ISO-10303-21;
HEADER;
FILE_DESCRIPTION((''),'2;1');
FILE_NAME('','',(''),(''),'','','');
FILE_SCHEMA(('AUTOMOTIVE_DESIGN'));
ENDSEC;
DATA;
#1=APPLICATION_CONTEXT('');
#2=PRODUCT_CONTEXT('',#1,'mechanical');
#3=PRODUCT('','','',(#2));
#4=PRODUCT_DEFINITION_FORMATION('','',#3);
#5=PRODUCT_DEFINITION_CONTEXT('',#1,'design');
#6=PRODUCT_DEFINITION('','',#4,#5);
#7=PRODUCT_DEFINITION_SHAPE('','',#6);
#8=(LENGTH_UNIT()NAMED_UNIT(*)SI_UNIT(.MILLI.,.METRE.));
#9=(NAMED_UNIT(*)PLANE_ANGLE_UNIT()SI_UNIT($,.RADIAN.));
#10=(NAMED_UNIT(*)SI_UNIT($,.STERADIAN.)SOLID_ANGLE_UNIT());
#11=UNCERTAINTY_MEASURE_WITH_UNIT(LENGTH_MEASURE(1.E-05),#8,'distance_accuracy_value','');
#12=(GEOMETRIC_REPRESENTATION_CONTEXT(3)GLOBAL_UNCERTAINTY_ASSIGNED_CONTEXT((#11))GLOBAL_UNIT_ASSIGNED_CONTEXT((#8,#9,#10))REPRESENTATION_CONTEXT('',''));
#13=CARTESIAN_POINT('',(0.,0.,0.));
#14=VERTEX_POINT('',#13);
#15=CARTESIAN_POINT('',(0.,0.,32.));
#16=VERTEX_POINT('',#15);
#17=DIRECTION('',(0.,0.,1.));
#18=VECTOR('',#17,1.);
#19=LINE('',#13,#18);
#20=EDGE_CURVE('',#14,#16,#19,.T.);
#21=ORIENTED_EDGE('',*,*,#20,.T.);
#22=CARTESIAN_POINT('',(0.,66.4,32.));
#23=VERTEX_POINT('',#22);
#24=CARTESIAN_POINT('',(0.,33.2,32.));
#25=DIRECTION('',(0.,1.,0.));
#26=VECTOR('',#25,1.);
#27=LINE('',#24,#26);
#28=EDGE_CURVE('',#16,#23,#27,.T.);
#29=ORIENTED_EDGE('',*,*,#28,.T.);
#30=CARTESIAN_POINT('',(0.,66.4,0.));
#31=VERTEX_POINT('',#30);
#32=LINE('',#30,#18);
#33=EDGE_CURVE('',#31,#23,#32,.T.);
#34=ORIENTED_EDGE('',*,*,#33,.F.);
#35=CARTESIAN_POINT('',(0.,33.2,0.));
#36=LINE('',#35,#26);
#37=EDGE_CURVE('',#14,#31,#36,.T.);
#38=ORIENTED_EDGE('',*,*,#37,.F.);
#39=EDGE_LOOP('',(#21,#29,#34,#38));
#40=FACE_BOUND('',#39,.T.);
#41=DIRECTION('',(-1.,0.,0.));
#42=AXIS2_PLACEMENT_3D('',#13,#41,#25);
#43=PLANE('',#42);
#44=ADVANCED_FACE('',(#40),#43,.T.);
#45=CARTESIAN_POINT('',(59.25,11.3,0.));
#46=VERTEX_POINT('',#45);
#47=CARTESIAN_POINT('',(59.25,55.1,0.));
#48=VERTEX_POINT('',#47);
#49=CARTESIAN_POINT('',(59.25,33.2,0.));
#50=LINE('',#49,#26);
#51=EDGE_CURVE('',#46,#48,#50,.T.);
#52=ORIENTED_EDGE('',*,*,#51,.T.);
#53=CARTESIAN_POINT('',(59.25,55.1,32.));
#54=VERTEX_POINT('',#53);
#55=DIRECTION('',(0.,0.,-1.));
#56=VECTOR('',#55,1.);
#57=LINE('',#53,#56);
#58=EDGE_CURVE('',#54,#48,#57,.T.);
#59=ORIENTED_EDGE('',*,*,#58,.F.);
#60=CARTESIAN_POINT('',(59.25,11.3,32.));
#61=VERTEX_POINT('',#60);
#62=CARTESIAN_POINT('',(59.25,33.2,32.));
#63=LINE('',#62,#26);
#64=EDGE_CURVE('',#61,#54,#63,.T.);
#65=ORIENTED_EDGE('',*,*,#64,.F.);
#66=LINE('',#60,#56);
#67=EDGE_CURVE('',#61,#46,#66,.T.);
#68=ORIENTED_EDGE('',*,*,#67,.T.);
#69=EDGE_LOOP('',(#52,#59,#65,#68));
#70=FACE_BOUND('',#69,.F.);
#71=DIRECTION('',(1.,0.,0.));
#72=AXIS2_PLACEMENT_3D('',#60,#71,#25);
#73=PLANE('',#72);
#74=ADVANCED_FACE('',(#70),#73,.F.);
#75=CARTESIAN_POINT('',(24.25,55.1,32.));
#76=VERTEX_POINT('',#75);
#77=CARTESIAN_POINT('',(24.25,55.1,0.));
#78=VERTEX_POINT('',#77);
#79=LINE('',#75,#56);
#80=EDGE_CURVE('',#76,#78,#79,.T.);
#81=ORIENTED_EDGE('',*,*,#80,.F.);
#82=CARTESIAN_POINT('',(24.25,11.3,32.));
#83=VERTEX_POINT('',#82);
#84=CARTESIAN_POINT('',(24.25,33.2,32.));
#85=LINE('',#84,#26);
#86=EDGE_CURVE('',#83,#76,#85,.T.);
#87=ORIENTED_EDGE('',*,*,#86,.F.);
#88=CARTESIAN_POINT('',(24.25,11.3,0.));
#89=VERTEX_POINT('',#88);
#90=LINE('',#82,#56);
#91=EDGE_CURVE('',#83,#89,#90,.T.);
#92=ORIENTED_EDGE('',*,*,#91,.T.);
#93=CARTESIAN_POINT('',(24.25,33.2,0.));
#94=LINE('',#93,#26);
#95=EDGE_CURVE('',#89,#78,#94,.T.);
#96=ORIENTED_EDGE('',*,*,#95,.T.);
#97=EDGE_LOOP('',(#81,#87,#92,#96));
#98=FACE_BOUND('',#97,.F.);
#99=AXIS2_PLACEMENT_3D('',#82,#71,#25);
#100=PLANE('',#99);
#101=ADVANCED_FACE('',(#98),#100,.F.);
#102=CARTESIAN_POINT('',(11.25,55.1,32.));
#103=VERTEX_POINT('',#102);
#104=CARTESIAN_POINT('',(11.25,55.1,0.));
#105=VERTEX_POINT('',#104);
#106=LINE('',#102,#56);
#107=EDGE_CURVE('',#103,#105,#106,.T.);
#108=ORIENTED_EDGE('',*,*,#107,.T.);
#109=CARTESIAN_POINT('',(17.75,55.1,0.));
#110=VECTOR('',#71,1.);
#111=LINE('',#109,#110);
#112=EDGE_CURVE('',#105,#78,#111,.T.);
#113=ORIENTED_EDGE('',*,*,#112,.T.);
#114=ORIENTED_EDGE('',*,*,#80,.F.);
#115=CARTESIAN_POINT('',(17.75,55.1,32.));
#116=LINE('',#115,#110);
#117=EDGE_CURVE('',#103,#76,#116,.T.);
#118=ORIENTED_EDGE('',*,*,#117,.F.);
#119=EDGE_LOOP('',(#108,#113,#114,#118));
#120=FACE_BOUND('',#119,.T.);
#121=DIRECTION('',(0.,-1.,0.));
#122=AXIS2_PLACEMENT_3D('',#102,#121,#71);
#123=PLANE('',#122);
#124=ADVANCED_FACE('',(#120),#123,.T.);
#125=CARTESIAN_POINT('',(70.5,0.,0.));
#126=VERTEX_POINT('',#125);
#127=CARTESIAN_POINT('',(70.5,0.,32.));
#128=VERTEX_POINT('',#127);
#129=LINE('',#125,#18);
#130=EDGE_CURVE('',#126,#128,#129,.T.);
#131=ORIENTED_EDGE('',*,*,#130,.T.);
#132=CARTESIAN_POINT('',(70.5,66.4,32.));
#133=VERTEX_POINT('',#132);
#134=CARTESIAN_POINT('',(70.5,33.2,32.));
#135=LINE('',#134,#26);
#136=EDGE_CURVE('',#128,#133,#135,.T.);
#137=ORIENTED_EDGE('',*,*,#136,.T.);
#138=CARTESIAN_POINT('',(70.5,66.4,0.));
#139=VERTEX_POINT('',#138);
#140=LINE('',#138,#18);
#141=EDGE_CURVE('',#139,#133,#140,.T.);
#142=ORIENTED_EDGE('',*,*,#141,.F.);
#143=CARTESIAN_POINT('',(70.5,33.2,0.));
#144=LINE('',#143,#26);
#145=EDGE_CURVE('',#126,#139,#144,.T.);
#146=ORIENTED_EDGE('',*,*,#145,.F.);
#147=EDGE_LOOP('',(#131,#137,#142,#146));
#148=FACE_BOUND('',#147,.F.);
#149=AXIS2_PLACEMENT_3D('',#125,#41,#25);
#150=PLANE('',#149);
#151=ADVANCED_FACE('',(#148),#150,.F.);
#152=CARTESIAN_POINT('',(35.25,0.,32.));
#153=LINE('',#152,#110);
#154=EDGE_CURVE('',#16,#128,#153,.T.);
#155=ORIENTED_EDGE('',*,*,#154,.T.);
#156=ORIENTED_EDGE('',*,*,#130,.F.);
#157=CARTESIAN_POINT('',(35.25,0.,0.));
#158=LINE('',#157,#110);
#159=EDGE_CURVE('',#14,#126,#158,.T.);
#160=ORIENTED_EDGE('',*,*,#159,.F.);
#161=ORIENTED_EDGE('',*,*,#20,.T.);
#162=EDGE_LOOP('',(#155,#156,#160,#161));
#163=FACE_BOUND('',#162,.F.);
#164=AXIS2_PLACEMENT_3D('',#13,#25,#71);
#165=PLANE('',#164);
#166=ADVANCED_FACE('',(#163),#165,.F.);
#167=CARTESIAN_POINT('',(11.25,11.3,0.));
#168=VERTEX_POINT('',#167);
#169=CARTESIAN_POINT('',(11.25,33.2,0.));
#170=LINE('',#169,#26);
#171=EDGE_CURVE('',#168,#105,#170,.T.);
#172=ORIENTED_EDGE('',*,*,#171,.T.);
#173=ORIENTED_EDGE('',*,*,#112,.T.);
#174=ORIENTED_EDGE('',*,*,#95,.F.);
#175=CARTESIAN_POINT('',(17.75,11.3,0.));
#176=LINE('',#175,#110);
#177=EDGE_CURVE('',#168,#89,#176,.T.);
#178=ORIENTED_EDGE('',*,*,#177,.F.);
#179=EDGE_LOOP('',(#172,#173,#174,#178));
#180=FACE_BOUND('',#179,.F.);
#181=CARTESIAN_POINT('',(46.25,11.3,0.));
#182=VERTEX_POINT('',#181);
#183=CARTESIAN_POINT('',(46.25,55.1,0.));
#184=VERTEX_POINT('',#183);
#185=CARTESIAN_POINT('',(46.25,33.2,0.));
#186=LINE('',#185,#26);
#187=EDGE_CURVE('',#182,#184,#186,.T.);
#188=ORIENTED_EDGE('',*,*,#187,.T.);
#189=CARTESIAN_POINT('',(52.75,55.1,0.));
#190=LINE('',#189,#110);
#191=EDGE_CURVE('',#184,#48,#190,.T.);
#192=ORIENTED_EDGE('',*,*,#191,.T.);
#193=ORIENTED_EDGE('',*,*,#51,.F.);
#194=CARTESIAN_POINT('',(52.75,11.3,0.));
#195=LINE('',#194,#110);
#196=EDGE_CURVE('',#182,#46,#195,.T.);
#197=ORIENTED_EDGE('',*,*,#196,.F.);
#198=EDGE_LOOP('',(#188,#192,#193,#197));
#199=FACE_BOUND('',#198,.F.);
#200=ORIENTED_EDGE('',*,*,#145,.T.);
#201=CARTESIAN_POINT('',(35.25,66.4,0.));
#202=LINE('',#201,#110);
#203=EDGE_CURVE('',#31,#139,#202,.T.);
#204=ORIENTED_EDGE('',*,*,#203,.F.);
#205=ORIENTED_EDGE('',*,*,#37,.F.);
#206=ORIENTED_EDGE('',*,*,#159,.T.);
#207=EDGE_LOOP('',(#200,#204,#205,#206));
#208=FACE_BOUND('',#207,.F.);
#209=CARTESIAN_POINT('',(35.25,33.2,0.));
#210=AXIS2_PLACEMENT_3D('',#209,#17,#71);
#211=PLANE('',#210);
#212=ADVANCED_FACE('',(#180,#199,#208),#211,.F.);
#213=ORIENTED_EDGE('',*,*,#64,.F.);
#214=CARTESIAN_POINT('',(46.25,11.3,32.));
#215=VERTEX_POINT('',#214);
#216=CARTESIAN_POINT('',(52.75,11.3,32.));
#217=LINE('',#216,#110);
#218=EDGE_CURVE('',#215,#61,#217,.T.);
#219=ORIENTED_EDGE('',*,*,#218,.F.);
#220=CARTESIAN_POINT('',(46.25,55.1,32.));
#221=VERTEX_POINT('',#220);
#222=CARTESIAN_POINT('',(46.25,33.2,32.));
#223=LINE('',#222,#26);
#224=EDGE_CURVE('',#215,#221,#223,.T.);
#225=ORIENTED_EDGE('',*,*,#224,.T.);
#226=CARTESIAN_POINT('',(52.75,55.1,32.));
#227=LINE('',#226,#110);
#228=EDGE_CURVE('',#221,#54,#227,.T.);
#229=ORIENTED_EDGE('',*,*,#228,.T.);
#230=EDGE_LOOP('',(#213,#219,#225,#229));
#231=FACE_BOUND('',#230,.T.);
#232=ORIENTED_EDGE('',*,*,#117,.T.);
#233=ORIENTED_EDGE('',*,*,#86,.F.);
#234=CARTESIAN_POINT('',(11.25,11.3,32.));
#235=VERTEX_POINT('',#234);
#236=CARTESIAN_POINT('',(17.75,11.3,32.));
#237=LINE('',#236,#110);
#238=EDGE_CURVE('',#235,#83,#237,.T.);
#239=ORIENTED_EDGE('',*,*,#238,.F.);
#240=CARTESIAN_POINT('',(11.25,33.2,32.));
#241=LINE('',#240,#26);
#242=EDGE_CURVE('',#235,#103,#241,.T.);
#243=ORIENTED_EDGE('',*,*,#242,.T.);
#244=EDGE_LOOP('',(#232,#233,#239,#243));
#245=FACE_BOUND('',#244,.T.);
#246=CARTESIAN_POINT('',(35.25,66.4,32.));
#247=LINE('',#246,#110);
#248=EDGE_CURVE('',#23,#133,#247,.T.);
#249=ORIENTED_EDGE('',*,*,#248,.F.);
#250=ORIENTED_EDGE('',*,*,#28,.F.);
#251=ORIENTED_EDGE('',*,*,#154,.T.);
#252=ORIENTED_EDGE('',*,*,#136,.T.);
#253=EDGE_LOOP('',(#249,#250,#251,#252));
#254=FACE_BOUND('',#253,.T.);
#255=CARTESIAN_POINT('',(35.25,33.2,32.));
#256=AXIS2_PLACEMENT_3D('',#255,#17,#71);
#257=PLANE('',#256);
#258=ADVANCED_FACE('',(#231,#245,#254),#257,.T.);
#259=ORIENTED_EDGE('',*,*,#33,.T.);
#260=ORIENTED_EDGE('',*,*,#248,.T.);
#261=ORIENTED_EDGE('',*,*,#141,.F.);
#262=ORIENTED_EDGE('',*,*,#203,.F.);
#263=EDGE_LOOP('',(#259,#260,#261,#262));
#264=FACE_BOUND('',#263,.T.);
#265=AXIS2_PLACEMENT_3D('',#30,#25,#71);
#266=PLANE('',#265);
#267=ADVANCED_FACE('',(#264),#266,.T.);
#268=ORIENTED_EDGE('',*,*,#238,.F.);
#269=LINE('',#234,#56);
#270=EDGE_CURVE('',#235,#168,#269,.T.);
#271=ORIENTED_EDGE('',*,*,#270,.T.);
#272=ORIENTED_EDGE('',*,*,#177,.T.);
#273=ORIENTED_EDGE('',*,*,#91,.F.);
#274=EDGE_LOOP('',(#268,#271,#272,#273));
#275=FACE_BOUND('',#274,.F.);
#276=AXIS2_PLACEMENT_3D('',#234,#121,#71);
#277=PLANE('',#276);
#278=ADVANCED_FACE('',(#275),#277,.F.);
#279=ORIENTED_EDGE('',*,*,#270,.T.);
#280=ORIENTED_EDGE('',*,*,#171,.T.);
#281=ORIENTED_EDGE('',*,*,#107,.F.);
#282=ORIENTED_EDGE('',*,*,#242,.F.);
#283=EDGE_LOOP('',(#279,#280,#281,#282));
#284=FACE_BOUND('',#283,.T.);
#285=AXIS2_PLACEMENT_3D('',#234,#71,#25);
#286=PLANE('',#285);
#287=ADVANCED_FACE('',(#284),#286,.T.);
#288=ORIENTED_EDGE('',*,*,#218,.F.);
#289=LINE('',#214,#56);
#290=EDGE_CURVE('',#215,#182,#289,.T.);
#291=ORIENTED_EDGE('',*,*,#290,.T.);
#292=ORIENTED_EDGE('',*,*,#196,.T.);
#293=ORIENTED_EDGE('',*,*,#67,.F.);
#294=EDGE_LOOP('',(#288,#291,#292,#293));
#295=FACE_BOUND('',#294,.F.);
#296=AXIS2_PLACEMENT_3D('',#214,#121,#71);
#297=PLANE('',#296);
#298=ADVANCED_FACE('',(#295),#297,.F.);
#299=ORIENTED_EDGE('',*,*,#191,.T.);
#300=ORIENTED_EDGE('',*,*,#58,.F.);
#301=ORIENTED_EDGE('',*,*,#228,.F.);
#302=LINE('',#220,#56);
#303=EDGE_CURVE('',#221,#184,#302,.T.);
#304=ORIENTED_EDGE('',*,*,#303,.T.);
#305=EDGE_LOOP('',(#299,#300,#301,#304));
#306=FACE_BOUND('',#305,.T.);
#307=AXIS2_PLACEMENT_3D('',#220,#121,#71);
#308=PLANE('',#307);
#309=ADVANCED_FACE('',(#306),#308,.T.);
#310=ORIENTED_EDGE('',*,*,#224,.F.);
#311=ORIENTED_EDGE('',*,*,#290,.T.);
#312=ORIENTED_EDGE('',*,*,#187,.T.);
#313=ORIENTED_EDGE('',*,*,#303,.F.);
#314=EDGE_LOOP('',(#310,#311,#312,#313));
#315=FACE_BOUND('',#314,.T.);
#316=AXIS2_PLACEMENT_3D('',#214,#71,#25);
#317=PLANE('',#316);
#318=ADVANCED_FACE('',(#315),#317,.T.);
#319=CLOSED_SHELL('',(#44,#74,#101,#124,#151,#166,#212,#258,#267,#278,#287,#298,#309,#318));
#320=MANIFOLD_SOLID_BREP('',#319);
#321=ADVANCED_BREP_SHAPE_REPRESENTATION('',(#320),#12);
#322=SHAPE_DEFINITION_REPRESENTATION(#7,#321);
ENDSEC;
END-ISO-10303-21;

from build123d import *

# Parameters (mm, degrees)
BOX_W        = 70.5
BOX_H        = 66.4
BOX_DEPTH    = 32
SKETCH_W     = 13
SKETCH_H     = 43.8
POCKET_DEPTH = 32


with BuildPart() as part:
    # Box → Box (new body)
    with BuildSketch(Plane.XY):
        with Locations((35.25, 33.2)):
            Rectangle(BOX_W, BOX_H)
    extrude(amount=BOX_DEPTH)

    # Sketch → Pocket (cut)
    with BuildSketch(Plane.XY.offset(32)):
        with Locations((17.75, 33.2)):
            Rectangle(SKETCH_W, SKETCH_H)
        with Locations((52.75, 33.2)):
            Rectangle(SKETCH_W, SKETCH_H)
    extrude(amount=-POCKET_DEPTH, mode=Mode.SUBTRACT)


solid = part.part
